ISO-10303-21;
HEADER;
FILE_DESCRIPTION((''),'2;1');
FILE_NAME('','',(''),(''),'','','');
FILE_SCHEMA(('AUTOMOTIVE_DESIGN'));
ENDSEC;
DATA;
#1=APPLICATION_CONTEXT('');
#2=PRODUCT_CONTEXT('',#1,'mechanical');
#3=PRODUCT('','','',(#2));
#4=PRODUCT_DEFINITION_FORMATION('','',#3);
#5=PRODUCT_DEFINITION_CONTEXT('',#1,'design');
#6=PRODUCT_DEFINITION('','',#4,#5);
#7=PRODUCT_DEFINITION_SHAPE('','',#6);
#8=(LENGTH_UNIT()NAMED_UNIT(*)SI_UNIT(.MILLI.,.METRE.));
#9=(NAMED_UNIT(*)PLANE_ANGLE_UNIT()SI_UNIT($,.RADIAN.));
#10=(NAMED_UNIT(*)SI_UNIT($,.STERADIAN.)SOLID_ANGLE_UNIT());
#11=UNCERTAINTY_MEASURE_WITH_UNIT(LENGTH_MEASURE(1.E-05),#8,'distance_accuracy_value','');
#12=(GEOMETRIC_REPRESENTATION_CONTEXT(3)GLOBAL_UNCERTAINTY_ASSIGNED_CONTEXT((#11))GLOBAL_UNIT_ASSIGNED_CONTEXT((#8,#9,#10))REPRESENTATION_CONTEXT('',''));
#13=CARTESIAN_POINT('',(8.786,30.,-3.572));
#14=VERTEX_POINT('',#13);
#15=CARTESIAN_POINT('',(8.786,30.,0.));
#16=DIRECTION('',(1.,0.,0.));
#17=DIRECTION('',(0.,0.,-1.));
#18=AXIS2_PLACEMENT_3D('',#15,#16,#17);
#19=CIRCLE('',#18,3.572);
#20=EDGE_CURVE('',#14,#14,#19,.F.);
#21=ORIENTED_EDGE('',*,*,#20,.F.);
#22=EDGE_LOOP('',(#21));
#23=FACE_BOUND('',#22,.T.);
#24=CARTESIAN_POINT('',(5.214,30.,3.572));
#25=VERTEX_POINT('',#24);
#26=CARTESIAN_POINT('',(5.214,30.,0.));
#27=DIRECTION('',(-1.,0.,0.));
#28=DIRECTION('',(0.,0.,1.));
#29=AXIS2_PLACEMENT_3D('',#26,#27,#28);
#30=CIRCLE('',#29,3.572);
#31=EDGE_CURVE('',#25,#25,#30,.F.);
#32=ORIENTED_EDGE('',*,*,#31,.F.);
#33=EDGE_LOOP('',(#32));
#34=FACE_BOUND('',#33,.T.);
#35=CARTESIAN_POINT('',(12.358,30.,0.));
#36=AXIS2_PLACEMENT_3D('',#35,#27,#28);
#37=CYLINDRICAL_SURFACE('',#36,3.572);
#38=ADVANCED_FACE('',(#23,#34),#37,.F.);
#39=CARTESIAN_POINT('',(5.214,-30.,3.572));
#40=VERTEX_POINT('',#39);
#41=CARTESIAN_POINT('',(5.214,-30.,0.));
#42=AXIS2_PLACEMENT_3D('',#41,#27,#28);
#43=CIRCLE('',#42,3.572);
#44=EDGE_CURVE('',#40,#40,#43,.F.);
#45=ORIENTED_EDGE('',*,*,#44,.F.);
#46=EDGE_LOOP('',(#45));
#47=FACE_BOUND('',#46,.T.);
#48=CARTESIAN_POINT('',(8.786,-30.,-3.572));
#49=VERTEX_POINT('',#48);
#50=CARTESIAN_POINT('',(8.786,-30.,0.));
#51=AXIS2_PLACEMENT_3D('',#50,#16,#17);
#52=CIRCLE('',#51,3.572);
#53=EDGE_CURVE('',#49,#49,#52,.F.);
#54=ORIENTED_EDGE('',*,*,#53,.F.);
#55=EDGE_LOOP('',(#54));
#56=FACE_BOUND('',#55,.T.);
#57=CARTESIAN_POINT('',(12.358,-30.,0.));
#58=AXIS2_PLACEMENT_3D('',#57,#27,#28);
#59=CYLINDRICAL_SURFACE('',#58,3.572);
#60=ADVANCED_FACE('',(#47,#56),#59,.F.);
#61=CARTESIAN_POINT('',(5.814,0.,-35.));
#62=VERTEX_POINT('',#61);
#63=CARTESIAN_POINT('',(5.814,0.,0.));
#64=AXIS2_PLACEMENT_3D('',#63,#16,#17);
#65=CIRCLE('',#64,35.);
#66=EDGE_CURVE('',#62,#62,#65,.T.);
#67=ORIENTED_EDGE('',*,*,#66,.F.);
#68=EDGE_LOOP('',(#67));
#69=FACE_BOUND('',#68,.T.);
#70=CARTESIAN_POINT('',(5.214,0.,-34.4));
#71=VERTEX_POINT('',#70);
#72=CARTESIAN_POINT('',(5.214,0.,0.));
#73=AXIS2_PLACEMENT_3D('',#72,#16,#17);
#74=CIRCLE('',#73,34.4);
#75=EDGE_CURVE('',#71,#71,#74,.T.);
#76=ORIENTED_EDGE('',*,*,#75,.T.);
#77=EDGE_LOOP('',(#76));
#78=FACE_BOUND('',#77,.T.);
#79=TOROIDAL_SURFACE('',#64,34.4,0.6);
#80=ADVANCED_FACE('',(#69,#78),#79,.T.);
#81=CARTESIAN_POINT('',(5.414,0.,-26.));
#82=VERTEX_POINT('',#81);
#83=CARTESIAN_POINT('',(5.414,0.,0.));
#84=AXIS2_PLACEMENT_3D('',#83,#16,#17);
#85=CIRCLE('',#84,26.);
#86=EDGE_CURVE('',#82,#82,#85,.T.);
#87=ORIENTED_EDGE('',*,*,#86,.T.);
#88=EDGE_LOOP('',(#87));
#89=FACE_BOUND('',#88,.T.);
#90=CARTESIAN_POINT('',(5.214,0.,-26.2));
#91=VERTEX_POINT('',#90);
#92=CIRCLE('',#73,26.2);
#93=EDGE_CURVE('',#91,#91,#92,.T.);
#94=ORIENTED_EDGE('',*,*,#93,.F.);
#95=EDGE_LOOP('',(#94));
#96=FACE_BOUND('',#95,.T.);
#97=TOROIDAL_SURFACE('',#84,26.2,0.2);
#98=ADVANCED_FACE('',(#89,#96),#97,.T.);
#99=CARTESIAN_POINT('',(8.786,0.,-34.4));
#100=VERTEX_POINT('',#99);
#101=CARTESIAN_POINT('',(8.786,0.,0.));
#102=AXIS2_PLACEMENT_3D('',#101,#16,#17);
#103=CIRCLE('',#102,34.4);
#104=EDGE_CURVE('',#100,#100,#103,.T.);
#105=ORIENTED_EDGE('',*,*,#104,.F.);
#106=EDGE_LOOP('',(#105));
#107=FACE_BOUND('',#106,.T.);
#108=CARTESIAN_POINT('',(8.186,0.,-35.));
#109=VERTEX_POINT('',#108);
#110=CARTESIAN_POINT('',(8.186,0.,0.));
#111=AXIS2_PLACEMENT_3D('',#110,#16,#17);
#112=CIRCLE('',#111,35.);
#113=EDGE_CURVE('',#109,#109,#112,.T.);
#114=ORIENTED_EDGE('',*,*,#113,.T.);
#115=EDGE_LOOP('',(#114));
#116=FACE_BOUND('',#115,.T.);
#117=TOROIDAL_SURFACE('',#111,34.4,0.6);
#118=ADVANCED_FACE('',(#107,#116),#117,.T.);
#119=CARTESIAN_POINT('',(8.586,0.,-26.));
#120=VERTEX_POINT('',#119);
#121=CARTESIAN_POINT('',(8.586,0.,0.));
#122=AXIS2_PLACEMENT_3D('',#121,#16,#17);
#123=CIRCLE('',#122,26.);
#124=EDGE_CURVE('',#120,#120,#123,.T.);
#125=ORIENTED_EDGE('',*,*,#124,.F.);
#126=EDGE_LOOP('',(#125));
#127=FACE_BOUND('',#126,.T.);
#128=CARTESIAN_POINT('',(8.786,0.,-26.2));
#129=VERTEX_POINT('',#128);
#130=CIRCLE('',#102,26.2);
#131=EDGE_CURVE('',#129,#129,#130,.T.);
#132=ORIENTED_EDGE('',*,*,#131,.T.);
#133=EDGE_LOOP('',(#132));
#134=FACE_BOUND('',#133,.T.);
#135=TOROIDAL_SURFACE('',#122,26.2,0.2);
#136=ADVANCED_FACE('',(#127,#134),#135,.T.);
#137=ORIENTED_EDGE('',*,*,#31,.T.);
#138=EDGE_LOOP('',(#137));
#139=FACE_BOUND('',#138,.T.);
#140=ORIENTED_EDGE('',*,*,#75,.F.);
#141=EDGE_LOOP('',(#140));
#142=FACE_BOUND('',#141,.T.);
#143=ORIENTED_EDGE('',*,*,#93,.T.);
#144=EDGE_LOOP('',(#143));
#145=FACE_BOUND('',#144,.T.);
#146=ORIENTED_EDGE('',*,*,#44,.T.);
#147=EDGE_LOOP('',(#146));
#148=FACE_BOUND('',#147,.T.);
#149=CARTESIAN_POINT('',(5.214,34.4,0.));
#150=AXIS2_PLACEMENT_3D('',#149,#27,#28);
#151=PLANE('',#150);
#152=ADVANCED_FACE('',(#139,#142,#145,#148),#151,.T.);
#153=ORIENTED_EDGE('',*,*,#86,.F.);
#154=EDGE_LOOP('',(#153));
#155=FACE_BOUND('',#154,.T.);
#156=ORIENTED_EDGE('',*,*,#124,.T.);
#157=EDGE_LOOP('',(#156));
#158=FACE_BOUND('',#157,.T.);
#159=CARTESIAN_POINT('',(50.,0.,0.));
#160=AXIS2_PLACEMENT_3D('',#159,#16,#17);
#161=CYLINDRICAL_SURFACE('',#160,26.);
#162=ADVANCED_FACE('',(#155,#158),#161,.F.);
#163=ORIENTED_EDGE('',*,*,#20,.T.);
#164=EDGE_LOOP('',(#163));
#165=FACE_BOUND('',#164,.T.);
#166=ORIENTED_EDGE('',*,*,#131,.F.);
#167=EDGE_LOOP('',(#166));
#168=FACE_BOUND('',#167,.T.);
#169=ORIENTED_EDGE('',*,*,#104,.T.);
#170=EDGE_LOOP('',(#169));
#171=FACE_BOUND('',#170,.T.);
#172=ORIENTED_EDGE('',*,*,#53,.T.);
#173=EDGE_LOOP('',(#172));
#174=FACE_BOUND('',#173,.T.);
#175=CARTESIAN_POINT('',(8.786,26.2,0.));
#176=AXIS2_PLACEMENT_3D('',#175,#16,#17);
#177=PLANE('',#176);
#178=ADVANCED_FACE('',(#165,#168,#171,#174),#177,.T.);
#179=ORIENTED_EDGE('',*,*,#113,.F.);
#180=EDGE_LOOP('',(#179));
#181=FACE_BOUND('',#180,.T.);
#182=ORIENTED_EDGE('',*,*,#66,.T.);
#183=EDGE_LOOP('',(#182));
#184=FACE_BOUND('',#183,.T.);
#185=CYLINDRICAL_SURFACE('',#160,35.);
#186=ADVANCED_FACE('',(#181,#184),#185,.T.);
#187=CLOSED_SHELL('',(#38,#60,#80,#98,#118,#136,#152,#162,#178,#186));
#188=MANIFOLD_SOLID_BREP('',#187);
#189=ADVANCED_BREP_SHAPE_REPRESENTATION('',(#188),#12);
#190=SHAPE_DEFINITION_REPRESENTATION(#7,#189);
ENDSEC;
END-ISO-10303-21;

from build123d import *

# Parameters (mm, degrees)
CROQUIS2_R     = 3.572
EXTRUIR1_DEPTH = 12.358
CROQUIS3_R     = 3.572
EXTRUIR2_DEPTH = 12.358


with BuildPart() as part:
    # Croquis1 → Revolución1 (revolve)
    with BuildSketch(Plane.XY):
        with BuildLine():
            Line((5.214, 34.4), (5.214, 26.2))
            ThreePointArc((5.214, 26.2), (5.272578644, 26.058578644), (5.414, 26))
            Line((5.414, 26), (8.586, 26))
            ThreePointArc((8.586, 26), (8.727421356, 26.058578644), (8.786, 26.2))
            Line((8.786, 26.2), (8.786, 34.4))
            ThreePointArc((8.786, 34.4), (8.610264069, 34.824264069), (8.186, 35))
            Line((8.186, 35), (5.814, 35))
            ThreePointArc((5.814, 35), (5.389735931, 34.824264069), (5.214, 34.4))
        make_face()
    revolve(axis=Axis((50, 0, 0), (-1, 0, 0)))

    # Croquis2 → Extruir1 (cut)
    with BuildSketch(Plane(origin=(0, 0, 0), x_dir=(0, 0, -1), z_dir=(1, 0, 0))):
        with Locations((0, 30)):
            Circle(CROQUIS2_R)
    extrude(amount=EXTRUIR1_DEPTH, mode=Mode.SUBTRACT)

    # Croquis3 → Extruir2 (cut)
    with BuildSketch(Plane(origin=(0, 0, 0), x_dir=(0, 0, -1), z_dir=(1, 0, 0))):
        with Locations((0, -30)):
            Circle(CROQUIS3_R)
    extrude(amount=EXTRUIR2_DEPTH, mode=Mode.SUBTRACT)


solid = part.part
